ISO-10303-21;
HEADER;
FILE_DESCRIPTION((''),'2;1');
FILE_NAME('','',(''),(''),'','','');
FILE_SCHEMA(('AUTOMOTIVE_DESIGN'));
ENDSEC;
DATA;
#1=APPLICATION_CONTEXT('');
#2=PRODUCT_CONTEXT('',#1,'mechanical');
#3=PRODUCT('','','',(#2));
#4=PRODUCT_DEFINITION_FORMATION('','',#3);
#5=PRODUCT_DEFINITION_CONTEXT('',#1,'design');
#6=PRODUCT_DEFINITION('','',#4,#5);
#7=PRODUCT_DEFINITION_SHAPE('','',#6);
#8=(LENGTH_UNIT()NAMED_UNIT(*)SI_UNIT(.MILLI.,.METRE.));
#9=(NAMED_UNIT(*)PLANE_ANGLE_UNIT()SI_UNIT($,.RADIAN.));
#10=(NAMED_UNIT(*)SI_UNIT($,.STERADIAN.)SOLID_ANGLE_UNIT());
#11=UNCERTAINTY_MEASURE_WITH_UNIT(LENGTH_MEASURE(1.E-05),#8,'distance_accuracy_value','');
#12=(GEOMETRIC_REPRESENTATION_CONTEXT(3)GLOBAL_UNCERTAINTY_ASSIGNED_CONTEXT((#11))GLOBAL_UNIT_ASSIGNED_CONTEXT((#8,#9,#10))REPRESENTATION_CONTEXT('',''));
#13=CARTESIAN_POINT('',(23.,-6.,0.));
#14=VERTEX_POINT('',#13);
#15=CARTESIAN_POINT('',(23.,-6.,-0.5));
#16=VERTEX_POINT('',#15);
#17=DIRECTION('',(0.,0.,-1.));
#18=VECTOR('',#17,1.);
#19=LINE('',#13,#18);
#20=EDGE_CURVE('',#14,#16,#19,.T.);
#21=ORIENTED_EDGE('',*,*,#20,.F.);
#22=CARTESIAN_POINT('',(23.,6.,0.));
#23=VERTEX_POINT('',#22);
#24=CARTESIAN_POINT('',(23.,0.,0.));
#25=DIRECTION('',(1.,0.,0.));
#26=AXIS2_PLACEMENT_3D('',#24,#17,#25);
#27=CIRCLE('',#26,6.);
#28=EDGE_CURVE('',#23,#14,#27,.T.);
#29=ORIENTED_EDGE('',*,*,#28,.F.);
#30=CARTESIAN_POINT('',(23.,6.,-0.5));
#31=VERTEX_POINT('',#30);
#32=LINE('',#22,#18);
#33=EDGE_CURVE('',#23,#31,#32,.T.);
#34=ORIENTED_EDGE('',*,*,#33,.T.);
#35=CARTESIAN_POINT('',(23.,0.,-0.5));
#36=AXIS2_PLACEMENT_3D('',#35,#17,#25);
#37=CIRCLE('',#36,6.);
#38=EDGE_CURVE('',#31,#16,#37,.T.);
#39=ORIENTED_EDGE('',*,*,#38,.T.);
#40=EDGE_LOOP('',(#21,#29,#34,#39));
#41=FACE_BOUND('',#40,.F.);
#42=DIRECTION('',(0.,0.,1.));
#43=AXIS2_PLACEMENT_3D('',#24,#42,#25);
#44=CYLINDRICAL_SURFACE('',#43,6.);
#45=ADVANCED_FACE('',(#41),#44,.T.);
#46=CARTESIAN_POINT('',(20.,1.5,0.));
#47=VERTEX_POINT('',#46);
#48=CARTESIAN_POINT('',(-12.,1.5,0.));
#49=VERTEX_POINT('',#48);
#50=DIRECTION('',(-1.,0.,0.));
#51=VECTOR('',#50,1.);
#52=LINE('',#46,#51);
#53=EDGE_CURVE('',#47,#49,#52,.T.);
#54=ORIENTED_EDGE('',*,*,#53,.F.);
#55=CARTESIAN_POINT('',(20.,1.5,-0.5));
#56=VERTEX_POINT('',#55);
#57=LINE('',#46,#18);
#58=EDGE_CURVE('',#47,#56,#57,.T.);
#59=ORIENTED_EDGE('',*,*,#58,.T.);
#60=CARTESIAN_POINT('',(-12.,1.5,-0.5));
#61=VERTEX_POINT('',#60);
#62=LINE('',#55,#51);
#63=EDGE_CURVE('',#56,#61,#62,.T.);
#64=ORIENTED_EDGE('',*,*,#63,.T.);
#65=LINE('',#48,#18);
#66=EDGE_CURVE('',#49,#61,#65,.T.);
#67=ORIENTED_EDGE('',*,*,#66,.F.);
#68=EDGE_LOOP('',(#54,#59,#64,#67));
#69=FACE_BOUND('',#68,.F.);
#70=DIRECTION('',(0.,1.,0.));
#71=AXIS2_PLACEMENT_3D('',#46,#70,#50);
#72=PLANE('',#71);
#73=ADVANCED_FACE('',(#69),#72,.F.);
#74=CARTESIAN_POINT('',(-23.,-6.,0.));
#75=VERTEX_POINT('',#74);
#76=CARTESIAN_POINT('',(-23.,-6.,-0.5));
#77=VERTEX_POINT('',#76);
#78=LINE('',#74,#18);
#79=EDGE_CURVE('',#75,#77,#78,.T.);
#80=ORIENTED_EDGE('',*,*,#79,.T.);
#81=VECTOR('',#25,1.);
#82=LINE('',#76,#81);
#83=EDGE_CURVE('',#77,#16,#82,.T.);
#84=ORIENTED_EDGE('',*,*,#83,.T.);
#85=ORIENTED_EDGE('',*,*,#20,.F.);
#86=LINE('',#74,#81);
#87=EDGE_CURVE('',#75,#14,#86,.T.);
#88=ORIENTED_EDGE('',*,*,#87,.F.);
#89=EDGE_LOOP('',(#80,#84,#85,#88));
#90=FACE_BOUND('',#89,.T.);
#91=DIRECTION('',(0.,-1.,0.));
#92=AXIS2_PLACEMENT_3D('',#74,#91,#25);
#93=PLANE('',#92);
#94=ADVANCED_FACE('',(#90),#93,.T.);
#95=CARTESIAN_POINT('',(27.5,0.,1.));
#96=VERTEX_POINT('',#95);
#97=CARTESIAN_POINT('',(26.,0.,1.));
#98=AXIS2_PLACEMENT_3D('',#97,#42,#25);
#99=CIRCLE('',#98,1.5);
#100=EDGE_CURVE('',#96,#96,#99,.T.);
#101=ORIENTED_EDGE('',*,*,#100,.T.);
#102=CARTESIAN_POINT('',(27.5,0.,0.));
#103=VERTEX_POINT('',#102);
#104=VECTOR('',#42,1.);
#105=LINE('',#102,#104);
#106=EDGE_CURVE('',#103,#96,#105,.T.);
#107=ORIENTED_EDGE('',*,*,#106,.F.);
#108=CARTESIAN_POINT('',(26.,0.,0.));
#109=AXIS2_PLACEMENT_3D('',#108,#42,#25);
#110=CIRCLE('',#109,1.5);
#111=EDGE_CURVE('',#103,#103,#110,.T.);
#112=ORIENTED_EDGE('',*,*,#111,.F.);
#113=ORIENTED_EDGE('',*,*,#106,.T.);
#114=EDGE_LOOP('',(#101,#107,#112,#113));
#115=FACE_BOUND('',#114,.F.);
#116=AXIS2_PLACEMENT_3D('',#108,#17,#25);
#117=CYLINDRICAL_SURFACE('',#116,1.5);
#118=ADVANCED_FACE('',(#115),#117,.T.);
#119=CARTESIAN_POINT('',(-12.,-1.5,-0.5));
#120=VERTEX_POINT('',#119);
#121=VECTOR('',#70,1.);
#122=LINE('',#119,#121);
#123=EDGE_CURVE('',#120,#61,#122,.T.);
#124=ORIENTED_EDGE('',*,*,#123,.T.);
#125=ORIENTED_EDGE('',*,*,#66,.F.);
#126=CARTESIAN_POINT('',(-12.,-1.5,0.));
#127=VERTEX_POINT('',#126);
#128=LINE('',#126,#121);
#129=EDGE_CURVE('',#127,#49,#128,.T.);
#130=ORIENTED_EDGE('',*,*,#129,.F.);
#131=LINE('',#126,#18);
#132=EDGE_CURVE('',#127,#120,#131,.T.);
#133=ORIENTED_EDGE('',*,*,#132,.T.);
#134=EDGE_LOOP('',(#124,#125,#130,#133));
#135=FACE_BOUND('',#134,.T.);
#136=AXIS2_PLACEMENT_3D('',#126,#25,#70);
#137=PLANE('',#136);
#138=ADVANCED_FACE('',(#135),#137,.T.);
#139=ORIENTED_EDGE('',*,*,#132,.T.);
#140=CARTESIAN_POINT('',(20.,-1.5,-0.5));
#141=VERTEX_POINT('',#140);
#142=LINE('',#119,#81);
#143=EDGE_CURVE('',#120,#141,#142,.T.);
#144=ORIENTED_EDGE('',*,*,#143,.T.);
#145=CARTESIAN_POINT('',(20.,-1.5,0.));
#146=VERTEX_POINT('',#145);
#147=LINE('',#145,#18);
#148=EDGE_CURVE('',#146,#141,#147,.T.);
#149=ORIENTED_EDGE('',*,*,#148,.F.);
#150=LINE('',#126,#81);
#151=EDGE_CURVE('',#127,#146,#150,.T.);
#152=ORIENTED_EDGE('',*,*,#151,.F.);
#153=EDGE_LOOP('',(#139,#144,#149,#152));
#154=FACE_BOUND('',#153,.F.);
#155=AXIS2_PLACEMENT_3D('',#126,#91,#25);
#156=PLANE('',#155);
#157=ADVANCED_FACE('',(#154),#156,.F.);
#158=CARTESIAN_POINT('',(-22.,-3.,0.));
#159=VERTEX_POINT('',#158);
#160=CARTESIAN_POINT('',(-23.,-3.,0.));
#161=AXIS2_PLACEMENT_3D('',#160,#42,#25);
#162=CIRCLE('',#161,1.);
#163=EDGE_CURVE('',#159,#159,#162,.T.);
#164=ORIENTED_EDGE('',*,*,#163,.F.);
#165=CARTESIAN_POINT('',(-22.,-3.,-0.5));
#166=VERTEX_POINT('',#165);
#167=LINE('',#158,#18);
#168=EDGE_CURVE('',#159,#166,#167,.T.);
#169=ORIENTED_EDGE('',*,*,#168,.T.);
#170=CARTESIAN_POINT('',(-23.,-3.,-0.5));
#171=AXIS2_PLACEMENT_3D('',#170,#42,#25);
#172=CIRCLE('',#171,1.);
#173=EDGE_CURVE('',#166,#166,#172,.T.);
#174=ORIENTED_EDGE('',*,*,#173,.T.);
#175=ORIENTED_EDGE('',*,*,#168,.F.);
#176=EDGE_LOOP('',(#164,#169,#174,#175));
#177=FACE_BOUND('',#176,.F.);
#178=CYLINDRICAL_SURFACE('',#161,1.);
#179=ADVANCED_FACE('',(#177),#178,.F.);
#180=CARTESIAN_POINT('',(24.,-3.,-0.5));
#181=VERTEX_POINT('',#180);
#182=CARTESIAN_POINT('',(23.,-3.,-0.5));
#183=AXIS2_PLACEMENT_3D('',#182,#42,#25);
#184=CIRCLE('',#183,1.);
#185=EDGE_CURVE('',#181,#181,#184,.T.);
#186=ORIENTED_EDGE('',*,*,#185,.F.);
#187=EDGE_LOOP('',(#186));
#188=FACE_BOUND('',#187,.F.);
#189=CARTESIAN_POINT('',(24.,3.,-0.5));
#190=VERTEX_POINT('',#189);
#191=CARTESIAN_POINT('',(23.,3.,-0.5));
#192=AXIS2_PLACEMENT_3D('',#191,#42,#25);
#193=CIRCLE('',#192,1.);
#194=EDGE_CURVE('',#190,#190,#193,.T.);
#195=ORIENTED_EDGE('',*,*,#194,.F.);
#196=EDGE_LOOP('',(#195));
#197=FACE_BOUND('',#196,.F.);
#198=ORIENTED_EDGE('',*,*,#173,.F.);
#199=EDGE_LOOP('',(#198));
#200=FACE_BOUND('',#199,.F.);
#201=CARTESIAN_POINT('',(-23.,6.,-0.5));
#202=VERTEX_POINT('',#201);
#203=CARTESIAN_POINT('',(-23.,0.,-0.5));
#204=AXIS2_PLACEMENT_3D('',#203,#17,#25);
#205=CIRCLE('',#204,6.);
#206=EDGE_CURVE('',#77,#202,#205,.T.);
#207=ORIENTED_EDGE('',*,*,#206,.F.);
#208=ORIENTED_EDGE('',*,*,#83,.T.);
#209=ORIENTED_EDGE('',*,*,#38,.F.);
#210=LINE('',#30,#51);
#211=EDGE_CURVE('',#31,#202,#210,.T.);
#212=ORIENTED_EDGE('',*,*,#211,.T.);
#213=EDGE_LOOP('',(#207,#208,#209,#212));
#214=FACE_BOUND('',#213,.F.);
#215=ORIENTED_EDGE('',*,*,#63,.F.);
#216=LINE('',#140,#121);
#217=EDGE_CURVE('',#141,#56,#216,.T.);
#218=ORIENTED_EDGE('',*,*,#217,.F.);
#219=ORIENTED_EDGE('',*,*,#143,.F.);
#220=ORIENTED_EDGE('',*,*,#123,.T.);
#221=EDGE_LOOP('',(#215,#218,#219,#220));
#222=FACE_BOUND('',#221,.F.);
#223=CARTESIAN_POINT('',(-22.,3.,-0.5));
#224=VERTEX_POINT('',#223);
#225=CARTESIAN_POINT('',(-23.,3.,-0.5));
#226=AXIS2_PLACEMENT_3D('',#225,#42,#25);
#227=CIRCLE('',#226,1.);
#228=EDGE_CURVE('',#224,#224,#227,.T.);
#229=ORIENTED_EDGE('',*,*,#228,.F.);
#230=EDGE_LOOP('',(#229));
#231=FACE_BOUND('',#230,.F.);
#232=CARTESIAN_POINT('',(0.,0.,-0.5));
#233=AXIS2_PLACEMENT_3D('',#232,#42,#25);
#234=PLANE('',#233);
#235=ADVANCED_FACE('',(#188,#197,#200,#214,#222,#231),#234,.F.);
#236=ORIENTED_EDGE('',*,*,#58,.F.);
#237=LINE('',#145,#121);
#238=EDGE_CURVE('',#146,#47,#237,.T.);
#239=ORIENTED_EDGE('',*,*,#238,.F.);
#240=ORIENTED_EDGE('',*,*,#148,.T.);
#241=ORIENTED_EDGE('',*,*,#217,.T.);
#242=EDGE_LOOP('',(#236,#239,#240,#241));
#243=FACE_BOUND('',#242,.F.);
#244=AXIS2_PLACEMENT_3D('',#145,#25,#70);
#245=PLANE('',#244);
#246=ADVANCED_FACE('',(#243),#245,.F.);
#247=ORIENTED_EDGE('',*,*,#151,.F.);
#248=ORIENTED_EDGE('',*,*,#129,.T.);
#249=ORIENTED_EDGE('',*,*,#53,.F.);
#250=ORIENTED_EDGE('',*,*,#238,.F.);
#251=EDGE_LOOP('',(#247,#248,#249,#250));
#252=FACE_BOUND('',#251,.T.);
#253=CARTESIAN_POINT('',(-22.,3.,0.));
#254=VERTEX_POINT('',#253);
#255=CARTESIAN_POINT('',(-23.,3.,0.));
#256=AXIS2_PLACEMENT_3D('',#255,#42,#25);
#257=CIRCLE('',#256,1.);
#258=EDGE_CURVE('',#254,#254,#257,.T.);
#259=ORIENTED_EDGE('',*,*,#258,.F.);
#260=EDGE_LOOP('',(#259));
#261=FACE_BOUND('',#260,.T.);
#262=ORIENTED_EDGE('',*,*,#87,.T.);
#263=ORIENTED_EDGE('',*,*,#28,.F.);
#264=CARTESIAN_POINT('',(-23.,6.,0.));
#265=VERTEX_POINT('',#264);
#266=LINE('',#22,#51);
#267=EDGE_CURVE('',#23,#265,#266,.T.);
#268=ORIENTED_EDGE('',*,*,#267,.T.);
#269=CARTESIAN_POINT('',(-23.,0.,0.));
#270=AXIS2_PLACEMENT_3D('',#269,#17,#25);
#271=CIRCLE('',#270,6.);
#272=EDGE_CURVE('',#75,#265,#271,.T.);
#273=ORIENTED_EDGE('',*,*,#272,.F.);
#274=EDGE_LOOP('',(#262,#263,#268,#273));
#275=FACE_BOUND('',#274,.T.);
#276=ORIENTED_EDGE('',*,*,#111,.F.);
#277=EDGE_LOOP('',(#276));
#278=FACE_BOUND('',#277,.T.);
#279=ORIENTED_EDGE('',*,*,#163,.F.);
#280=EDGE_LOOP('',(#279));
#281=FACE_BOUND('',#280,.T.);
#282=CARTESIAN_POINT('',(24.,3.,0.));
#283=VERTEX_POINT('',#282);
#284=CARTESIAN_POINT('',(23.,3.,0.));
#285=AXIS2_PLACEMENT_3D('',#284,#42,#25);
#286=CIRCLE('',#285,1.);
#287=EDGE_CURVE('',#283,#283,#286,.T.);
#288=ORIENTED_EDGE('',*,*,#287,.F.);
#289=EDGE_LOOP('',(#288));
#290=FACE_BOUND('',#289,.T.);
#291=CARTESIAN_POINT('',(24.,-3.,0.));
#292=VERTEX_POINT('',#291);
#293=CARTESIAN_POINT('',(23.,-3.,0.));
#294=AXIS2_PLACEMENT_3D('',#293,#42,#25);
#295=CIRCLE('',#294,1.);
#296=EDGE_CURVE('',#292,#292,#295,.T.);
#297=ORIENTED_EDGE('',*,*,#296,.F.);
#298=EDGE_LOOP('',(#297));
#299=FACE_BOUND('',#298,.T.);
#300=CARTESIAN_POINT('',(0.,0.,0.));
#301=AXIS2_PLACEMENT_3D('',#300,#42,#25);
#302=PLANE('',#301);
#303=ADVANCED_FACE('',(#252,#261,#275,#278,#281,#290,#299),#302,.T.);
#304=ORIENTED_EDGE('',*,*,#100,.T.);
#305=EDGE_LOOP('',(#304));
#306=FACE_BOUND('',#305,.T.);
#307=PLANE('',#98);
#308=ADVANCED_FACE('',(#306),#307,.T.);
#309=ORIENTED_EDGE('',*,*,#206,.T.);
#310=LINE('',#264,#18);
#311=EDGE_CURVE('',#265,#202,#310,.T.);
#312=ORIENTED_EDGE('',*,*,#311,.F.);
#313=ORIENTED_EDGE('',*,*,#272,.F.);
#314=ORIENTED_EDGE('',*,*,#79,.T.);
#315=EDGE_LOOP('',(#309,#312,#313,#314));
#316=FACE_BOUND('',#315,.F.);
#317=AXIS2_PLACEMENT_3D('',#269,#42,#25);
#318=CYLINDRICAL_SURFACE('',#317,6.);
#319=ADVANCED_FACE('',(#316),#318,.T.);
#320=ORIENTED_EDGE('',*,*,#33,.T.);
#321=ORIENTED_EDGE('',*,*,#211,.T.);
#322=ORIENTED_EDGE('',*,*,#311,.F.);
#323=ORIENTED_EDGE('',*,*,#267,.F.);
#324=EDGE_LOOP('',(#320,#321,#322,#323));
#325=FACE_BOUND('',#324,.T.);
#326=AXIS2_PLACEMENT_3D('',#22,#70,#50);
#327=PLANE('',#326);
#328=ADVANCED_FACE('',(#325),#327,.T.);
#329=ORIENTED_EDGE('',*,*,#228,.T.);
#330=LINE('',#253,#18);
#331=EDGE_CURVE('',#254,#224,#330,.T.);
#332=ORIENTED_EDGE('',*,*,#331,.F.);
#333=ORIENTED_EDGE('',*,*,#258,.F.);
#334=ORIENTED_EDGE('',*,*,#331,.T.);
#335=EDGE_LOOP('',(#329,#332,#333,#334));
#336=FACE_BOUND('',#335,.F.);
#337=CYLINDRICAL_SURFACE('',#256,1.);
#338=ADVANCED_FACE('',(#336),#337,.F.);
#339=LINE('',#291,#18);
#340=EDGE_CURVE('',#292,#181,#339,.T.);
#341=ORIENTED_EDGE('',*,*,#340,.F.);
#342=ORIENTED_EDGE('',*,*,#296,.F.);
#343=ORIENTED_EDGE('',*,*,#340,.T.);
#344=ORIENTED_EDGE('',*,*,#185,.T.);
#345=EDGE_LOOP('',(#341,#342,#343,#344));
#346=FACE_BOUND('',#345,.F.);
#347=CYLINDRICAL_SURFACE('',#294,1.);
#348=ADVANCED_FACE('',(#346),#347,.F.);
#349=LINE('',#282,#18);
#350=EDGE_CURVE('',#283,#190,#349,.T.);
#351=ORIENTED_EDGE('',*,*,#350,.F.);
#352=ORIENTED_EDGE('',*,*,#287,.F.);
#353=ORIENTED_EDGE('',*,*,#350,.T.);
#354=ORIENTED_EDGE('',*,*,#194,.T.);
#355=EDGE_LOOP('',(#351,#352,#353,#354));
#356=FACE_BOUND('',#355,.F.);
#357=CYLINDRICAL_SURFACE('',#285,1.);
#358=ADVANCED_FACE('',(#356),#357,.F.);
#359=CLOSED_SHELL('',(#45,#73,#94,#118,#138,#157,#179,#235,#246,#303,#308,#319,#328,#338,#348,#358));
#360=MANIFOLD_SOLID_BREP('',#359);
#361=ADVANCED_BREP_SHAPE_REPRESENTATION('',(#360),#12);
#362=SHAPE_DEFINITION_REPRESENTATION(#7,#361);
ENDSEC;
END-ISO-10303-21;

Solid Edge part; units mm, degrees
sketch "Sketch1" plane through (0, 0, 0) normal (0, 0, 1) x (1, 0, 0)
  line L0 (-23, -6) -> (23, -6)
  arc A0 (23, 6) -> (23, -6) centre (23, 0) cw
  line L1 (23, 6) -> (-23, 6)
  arc A1 (-23, -6) -> (-23, 6) centre (-23, 0) cw
extrude "Protrusion1" add sketch "Sketch1" against normal blind 0.5
sketch "Sketch2" plane through (0, 0, 0) normal (0, 0, 1) x (1, 0, 0)
  circle A0 centre (26, 0) radius 1.5
extrude "ExtrudedProtrusion_2" add sketch "Sketch2" along normal blind 1
sketch "Sketch3" plane through (0, 0, 0) normal (0, 0, 1) x (1, 0, 0)
  line L0 (-12, -1.5) -> (20, -1.5)
  line L1 (20, -1.5) -> (20, 1.5)
  line L2 (20, 1.5) -> (-12, 1.5)
  line L3 (-12, -1.5) -> (-12, 1.5)
extrude "ExtrudedCutout_1" cut sketch "Sketch3" against normal blind 0.5
sketch "Sketch4" plane through (0, 0, 0) normal (0, 0, 1) x (1, 0, 0)
  circle A0 centre (-23, 3) radius 1
extrude "ExtrudedCutout_2" cut sketch "Sketch4" against normal blind 0.5
sketch "Sketch5" plane through (0, 0, 0) normal (0, 0, 1) x (1, 0, 0)
  circle A0 centre (-23, -3) radius 1
extrude "ExtrudedCutout_3" cut sketch "Sketch5" against normal blind 0.5
sketch "Sketch6" plane through (0, 0, 0) normal (0, 0, 1) x (1, 0, 0)
  circle A0 centre (23, 3) radius 1
extrude "ExtrudedCutout_4" cut sketch "Sketch6" against normal blind 0.5
sketch "Sketch7" plane through (0, 0, 0) normal (0, 0, 1) x (1, 0, 0)
  circle A0 centre (23, -3) radius 1
extrude "ExtrudedCutout_5" cut sketch "Sketch7" against normal blind 0.5
